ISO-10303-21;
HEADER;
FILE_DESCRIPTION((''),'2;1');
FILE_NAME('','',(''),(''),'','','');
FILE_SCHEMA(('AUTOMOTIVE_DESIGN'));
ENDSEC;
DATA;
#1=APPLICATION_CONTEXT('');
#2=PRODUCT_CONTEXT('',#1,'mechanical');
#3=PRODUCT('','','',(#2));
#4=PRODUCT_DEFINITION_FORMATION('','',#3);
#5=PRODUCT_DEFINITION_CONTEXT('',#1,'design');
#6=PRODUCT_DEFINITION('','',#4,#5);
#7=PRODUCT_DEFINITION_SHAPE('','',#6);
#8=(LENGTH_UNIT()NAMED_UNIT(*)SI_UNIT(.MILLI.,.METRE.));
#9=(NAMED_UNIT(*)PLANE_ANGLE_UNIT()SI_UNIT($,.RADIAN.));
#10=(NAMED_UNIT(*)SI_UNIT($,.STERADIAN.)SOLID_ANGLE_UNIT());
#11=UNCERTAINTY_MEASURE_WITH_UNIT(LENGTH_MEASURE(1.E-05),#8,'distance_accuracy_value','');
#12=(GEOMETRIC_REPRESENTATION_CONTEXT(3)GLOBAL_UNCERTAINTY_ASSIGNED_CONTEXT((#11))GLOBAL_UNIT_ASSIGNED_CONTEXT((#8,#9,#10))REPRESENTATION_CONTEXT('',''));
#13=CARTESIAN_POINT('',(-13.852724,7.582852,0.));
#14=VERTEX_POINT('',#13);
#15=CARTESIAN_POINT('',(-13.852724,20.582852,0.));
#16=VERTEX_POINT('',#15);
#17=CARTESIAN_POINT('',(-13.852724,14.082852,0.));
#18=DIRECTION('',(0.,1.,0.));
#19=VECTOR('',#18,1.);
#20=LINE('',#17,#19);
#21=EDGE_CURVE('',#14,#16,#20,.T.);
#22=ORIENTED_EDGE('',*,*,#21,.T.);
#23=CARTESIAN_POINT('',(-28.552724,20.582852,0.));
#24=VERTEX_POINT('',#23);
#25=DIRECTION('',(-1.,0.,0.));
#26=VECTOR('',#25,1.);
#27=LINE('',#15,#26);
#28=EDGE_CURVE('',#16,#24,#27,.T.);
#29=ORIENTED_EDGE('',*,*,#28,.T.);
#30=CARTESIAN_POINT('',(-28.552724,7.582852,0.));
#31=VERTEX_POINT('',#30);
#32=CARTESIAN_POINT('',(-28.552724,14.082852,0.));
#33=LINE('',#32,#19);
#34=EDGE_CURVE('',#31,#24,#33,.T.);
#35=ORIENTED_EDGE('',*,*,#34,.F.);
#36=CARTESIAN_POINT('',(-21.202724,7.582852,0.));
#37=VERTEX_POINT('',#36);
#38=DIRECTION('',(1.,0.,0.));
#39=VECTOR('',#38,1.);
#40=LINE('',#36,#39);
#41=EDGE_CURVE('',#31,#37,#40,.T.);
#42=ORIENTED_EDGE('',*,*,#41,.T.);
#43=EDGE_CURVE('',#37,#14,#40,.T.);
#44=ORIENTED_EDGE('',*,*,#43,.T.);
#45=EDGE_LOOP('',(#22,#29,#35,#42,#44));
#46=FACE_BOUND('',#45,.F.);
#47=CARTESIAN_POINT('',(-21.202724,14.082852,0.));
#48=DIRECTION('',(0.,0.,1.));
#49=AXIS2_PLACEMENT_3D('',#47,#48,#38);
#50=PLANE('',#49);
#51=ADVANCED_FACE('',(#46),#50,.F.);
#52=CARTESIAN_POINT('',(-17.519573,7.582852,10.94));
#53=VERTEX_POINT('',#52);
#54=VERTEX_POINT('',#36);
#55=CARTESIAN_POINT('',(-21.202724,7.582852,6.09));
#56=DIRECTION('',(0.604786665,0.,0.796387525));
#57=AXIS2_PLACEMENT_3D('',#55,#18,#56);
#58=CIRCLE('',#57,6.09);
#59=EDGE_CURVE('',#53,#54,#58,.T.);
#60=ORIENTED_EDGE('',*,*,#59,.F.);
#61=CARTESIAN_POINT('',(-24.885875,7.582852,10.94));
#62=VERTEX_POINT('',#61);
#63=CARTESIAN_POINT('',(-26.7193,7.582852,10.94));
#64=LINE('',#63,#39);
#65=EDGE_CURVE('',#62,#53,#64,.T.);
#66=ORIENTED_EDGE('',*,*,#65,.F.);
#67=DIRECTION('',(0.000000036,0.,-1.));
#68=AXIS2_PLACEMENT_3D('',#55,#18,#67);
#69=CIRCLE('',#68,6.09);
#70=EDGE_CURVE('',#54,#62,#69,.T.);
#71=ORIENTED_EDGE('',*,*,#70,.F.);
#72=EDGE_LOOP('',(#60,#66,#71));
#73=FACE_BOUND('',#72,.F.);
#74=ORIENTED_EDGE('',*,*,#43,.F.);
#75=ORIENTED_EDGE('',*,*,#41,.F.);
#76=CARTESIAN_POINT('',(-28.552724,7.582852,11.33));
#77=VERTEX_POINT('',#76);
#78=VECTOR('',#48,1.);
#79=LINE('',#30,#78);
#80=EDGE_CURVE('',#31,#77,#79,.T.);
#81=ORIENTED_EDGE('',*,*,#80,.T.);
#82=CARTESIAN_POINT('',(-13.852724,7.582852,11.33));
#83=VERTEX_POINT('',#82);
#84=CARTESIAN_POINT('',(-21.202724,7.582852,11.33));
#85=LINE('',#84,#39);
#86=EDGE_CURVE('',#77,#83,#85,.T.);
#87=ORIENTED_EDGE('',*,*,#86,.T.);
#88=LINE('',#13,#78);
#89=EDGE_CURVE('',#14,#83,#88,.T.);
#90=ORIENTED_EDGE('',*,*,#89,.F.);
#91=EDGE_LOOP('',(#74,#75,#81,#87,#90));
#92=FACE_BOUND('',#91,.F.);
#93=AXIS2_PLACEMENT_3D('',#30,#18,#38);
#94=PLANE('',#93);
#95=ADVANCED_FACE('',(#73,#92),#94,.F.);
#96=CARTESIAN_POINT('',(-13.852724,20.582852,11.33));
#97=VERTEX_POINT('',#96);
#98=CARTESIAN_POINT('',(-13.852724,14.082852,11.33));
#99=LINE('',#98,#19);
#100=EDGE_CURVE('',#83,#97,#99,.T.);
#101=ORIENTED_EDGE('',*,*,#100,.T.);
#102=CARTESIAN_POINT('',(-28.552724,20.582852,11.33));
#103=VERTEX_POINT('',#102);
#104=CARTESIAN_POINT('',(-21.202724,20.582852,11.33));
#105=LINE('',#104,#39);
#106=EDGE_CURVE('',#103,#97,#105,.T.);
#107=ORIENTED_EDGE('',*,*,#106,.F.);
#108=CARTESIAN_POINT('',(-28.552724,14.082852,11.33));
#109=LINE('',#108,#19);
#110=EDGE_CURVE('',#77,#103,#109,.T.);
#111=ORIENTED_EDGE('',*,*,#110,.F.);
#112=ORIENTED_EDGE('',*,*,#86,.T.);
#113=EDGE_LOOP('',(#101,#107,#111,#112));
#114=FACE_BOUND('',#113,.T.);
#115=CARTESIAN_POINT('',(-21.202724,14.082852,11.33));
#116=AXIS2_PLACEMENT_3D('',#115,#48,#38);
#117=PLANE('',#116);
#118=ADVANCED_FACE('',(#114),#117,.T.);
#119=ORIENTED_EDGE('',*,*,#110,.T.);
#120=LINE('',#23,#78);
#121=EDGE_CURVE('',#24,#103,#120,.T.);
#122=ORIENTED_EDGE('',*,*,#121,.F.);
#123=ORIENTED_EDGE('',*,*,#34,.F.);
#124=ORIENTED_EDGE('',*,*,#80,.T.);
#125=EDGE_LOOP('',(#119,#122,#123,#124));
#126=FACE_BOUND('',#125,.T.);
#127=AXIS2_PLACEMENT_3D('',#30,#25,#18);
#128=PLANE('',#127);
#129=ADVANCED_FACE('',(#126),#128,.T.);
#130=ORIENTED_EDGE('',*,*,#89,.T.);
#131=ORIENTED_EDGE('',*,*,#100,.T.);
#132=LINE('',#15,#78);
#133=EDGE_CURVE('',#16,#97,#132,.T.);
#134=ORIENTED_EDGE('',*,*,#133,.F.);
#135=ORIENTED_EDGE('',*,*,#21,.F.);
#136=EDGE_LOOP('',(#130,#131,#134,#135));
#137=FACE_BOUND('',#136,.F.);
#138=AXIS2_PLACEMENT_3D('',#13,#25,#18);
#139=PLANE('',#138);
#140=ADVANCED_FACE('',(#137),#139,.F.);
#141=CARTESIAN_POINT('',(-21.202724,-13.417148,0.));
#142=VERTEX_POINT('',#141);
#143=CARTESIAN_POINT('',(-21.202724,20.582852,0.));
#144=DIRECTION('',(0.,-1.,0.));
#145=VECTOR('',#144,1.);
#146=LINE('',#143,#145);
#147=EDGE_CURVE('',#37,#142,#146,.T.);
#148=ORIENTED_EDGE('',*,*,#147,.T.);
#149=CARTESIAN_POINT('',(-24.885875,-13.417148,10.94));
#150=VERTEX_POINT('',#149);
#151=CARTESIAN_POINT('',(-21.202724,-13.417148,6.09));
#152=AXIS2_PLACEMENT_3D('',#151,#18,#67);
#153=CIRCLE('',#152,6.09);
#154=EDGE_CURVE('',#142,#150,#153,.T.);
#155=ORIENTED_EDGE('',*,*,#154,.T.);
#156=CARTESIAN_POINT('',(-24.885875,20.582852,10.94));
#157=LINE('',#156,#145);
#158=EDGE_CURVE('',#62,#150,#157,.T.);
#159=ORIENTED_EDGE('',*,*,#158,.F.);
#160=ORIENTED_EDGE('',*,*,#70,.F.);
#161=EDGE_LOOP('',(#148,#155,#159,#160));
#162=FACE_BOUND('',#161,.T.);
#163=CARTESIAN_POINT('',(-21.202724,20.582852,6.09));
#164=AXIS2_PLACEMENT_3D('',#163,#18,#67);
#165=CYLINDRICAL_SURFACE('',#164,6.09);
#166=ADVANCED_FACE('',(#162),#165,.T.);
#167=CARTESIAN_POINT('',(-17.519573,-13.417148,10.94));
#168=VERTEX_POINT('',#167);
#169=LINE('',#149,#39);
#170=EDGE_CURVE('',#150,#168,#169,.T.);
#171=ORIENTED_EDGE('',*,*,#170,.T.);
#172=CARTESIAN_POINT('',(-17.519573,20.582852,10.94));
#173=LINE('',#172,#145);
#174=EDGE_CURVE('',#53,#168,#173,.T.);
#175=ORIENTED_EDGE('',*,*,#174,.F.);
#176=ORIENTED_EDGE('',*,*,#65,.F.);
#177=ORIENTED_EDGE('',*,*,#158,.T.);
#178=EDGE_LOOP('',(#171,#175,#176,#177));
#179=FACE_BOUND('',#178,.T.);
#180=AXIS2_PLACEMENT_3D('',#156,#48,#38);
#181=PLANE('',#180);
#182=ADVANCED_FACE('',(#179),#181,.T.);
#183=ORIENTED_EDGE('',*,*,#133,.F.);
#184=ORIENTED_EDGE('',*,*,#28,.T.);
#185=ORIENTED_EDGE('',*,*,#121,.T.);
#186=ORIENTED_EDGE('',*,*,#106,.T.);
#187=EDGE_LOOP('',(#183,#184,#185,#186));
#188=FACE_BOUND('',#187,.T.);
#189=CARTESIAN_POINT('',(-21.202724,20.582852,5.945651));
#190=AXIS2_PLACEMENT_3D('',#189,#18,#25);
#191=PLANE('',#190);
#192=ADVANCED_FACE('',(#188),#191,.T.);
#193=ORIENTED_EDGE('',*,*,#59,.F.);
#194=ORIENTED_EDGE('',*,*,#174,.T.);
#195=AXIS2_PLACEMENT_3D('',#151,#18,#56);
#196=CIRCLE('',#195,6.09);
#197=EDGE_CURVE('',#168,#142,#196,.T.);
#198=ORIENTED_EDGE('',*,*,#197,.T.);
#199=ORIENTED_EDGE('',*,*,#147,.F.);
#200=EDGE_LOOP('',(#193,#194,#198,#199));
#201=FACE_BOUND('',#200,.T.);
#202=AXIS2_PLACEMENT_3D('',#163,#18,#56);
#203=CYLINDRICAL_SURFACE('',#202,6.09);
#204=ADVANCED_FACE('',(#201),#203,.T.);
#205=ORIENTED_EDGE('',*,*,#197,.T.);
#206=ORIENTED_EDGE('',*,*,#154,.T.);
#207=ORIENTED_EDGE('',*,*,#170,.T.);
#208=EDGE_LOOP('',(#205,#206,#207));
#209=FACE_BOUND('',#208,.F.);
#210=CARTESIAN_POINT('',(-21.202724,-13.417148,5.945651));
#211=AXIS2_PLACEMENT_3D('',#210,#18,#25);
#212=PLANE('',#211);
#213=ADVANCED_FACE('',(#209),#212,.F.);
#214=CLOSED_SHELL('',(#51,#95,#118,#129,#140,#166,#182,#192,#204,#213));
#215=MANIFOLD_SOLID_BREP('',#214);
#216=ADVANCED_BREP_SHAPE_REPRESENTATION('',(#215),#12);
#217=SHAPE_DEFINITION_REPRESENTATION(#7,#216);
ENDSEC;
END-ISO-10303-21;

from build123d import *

# Parameters (mm, degrees)
F0_W     = 14.7
F0_H     = 13
F1_DEPTH = 11.33
F3_DEPTH = 34


with BuildPart() as f1:
    # F0 (on Top) → F1 (new body)
    with BuildSketch(Plane.XY):
        with Locations((-21.202724, 14.082852)):
            Rectangle(F0_W, F0_H)
    extrude(amount=F1_DEPTH)

    # F2 (on face) → F3 (join)
    with BuildSketch(Plane(origin=(0, 20.582852, 0), x_dir=(-1, 0, 0), z_dir=(0, 1, 0))):
        with BuildLine():
            Line((24.885875, 10.94), (17.519573, 10.94))
            ThreePointArc((17.519573, 10.94), (15.431043, 4.146858), (21.202724, 0))
            ThreePointArc((21.202724, 0), (26.974405, 4.146858), (24.885875, 10.94))
        make_face()
    extrude(amount=-F3_DEPTH)


solid = f1.part
